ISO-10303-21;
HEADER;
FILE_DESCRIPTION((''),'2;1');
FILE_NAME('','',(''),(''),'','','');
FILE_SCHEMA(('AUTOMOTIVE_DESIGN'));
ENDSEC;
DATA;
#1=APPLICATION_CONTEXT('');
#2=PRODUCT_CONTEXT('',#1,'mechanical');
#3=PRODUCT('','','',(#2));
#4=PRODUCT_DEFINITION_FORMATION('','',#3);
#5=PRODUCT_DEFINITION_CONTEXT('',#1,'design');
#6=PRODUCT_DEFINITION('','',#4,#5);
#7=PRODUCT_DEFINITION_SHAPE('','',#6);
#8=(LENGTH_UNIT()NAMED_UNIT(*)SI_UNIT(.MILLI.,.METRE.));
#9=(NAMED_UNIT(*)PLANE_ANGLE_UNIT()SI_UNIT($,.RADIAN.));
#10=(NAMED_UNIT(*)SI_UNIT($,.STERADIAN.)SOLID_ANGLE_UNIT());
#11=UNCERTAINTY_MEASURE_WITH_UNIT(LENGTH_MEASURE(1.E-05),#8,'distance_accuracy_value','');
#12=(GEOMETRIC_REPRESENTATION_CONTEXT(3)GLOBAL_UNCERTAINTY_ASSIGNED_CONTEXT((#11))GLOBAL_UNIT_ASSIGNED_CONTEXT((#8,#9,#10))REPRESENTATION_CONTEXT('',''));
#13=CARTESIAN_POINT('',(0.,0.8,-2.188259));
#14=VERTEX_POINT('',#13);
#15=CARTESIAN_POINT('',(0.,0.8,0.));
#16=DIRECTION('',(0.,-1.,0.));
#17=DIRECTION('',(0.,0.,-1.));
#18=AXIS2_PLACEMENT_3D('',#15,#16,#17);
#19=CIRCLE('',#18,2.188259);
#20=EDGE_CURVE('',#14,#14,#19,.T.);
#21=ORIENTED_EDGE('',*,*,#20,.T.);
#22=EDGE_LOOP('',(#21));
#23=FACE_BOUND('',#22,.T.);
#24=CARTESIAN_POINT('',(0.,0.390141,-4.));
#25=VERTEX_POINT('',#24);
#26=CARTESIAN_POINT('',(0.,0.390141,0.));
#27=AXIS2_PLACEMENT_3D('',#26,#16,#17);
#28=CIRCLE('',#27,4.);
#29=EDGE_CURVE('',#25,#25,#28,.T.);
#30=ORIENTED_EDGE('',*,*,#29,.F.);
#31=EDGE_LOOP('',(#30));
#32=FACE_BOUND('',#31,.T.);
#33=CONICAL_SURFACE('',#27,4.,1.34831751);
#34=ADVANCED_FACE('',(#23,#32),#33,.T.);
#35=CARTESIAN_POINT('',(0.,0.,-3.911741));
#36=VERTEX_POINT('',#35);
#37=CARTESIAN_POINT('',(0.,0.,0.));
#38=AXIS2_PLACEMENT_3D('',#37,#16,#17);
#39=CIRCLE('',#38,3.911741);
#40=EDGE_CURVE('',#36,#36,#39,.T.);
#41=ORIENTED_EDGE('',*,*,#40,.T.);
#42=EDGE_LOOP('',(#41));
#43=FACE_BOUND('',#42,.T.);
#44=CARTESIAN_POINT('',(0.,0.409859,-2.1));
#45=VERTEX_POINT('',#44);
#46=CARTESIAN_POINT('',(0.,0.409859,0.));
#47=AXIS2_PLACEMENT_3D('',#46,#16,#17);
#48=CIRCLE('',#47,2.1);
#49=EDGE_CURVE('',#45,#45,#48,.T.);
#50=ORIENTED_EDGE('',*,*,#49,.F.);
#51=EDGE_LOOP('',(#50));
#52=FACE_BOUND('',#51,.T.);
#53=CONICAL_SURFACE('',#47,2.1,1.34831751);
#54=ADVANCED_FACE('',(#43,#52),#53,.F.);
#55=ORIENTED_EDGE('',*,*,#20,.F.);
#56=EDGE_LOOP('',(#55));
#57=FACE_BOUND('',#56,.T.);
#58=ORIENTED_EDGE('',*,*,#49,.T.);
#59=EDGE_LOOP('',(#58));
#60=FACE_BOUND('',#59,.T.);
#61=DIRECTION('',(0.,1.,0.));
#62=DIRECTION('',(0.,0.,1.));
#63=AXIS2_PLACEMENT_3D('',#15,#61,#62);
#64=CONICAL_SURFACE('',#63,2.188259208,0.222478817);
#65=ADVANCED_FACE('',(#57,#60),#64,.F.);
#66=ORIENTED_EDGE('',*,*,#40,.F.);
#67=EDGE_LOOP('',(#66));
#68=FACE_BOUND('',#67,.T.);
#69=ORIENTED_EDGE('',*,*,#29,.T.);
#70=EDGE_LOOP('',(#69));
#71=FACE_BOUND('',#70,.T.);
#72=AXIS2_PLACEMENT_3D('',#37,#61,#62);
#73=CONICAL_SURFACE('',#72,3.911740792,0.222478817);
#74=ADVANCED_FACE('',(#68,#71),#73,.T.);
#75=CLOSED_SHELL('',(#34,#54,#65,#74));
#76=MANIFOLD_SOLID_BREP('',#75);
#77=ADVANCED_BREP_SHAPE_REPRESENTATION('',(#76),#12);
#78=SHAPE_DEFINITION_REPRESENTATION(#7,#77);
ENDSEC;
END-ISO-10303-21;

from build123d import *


with BuildPart() as part:
    # Sketch1 → Revolve1 (revolve)
    with BuildSketch(Plane.XY):
        Polygon((3.911740792, 0), (2.1, 0.4098586), (2.188259208, 0.8), (4, 0.3901414), align=None)
    revolve(axis=Axis((0, 0, 0), (0, 1, 0)))


solid = part.part
